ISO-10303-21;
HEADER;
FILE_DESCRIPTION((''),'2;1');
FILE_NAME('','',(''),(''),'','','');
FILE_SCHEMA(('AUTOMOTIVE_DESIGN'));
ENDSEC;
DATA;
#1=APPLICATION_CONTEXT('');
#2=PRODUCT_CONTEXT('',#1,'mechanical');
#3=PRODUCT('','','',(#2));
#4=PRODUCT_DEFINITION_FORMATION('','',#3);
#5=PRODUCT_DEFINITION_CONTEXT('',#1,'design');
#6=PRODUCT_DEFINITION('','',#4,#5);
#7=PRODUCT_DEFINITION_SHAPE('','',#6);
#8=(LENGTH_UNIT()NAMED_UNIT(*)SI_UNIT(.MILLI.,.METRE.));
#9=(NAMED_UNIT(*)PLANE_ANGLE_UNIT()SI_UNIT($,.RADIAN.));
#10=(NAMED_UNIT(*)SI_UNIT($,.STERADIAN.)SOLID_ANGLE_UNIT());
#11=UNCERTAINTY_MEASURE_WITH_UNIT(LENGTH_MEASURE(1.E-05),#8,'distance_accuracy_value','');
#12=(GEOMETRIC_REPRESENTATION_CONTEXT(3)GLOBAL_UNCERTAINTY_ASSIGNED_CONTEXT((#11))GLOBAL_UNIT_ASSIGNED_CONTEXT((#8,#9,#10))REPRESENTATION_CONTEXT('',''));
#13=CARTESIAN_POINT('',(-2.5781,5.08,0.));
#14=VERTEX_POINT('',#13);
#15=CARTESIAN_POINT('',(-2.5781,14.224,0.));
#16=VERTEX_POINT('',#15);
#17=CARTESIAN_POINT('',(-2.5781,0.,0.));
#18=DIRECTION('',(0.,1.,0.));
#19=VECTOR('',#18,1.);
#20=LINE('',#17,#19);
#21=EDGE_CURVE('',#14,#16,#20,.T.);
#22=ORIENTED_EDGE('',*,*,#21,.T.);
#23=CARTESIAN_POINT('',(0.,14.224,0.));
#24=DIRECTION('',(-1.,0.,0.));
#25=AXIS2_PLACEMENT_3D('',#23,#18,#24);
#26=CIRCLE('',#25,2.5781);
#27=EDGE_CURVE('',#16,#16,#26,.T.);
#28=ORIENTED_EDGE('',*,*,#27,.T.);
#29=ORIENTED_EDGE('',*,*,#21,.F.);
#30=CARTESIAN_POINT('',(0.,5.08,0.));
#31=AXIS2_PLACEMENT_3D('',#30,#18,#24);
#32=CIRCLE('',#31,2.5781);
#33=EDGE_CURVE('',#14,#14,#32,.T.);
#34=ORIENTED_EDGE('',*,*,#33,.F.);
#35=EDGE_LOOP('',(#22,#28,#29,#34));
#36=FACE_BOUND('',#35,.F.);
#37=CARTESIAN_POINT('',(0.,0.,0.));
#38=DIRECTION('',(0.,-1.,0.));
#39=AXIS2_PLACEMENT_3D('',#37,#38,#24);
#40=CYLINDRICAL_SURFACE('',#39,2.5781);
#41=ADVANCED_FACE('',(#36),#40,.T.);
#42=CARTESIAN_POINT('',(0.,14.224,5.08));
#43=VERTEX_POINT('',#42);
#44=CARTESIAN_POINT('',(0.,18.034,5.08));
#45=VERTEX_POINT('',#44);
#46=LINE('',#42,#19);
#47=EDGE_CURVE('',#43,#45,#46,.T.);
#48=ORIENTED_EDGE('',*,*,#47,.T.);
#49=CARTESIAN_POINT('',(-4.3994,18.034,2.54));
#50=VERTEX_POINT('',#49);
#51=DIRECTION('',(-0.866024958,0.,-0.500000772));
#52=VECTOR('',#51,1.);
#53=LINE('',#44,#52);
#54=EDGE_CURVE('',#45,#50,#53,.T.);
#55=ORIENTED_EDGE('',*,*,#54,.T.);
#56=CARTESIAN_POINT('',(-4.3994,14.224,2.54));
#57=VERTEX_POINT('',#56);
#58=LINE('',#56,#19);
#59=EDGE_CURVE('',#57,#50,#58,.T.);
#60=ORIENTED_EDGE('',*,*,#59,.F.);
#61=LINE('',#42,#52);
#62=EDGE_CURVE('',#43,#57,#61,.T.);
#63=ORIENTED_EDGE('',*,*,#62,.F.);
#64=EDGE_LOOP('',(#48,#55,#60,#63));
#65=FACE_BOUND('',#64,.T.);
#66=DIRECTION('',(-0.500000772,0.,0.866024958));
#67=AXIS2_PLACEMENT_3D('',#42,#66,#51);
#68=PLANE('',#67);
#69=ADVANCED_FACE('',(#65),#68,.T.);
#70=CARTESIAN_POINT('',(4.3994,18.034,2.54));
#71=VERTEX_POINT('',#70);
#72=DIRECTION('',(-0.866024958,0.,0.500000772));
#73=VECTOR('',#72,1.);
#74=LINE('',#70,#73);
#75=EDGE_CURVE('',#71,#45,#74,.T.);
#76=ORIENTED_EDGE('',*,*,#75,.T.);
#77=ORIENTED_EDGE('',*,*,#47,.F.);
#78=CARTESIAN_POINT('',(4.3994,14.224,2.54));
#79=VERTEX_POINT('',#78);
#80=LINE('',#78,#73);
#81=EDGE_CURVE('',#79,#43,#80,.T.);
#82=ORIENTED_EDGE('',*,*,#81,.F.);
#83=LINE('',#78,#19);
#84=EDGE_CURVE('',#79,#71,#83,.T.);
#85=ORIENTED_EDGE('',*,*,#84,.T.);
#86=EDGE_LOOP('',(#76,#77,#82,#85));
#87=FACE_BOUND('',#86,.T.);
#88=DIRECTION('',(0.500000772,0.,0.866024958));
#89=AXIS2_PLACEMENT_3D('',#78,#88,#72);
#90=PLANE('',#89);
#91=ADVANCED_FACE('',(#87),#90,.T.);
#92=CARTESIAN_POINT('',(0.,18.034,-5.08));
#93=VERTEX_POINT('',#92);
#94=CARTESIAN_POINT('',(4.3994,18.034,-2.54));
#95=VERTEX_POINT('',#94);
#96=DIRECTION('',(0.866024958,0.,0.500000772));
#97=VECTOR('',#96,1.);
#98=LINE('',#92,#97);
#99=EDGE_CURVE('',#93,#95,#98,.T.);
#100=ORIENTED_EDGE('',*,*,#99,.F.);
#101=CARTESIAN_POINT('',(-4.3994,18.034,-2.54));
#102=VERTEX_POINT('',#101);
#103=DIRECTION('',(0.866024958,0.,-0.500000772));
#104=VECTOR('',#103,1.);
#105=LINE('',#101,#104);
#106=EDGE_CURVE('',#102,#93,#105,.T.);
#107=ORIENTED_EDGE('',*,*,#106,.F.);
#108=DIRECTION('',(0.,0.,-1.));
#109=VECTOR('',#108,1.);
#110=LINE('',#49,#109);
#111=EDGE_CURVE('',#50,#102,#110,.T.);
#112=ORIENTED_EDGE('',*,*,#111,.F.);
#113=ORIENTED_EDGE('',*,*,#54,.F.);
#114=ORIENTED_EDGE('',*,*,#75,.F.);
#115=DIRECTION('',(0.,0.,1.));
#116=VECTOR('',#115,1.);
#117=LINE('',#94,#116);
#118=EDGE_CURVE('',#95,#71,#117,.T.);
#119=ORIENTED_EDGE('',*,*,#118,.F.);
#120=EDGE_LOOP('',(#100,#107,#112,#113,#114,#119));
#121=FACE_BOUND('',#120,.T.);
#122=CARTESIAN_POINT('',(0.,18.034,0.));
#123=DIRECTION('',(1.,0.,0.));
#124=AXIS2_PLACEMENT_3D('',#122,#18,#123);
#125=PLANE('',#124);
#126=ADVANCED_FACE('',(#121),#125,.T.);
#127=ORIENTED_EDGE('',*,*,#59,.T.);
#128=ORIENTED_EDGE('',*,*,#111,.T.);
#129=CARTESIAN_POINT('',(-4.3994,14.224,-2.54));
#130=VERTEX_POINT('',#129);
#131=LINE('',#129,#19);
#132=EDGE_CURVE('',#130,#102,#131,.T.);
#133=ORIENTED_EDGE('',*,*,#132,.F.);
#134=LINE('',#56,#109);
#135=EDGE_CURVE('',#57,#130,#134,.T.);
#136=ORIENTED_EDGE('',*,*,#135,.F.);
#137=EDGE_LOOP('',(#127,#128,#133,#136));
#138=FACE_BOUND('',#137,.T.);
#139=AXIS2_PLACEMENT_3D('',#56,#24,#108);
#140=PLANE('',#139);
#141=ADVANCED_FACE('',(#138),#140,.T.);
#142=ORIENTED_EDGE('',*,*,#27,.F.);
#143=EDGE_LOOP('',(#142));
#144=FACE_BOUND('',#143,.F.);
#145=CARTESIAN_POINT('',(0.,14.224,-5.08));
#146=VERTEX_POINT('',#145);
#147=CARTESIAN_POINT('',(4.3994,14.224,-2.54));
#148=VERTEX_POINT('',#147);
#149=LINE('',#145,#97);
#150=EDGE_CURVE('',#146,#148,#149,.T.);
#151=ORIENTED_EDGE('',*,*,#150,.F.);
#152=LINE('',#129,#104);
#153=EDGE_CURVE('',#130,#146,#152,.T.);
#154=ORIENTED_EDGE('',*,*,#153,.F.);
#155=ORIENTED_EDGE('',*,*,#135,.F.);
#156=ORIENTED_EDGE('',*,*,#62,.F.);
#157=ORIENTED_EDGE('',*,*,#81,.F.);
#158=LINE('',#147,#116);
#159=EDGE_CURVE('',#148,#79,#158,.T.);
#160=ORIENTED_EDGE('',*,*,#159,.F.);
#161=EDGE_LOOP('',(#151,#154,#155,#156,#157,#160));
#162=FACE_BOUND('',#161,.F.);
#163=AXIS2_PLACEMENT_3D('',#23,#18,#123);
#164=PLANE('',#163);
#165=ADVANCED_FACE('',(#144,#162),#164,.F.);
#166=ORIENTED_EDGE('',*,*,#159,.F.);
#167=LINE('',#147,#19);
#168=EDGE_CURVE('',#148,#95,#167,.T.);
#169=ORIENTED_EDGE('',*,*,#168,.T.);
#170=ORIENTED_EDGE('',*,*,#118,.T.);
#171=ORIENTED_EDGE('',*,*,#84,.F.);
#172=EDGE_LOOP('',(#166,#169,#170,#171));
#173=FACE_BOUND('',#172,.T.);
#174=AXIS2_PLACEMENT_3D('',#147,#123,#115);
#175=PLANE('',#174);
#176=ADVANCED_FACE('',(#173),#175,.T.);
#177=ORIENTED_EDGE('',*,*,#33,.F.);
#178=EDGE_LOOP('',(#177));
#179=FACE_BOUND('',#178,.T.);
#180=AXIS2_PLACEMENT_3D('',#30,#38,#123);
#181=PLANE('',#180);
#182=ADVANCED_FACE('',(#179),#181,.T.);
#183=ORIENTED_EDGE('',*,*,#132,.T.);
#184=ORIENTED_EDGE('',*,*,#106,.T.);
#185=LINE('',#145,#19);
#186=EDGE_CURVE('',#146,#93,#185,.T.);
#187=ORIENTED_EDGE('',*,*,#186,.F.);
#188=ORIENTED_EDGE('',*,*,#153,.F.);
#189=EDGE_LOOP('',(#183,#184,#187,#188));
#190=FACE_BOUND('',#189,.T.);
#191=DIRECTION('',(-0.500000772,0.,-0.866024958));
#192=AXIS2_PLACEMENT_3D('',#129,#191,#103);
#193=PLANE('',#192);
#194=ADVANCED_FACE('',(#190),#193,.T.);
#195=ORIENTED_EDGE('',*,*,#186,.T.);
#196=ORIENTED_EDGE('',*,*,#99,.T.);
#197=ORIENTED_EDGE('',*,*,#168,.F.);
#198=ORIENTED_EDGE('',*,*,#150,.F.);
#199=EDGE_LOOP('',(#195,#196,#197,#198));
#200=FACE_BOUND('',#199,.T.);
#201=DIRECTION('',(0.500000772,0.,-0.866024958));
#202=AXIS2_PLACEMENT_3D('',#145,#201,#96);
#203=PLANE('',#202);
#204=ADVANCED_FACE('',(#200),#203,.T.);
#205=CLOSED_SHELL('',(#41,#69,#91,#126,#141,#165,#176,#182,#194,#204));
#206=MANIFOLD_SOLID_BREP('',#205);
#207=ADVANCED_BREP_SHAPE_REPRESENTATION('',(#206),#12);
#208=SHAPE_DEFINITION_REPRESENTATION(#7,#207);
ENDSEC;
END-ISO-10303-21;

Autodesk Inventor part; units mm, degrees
ref_plane "YZ Plane" through (0, 0, 0) normal (1, 0, 0) x (0, 1, 0)
ref_plane "XZ Plane" through (0, 0, 0) normal (0, 1, 0) x (-1, 0, 0)
ref_plane "XY Plane" through (0, 0, 0) normal (0, 0, 1) x (1, 0, 0)
sketch "Sketch1" plane through (0, 0, 0) normal (0, 1, 0) x (-1, 0, 0)
  circle A0 centre (0, 0) radius 2.5781
  dimension "d0" = 5.1562
extrude "Extrusion1" add sketch "Sketch1" along normal blind 14.224
sketch "Sketch2" plane through (0, 14.224, 0) normal (0, 1, 0) x (1, 0, 0)
  line L0 (0, 5.08) -> (4.3994, 2.54)
  line L1 (4.3994, 2.54) -> (4.3994, -2.54)
  line L2 (4.3994, -2.54) -> (0, -5.08)
  line L3 (0, -5.08) -> (-4.3994, -2.54)
  line L4 (-4.3994, -2.54) -> (-4.3994, 2.54)
  line L5 (-4.3994, 2.54) -> (0, 5.08)
  point P0 (0, 0)
  point P1 (0, 0)
  dimension "d3" = 5.08
extrude "Extrusion2" add sketch "Sketch2" along normal blind 3.81
sketch "Sketch3" plane through (0, 0, 0) normal (0, -1, 0) x (1, 0, 0)
  circle A0 centre (0, 0) radius 2.5781
extrude "Extrusion3" cut sketch "Sketch3" against normal blind 5.08
properties part number "Crossbeam to LS Bolt"
